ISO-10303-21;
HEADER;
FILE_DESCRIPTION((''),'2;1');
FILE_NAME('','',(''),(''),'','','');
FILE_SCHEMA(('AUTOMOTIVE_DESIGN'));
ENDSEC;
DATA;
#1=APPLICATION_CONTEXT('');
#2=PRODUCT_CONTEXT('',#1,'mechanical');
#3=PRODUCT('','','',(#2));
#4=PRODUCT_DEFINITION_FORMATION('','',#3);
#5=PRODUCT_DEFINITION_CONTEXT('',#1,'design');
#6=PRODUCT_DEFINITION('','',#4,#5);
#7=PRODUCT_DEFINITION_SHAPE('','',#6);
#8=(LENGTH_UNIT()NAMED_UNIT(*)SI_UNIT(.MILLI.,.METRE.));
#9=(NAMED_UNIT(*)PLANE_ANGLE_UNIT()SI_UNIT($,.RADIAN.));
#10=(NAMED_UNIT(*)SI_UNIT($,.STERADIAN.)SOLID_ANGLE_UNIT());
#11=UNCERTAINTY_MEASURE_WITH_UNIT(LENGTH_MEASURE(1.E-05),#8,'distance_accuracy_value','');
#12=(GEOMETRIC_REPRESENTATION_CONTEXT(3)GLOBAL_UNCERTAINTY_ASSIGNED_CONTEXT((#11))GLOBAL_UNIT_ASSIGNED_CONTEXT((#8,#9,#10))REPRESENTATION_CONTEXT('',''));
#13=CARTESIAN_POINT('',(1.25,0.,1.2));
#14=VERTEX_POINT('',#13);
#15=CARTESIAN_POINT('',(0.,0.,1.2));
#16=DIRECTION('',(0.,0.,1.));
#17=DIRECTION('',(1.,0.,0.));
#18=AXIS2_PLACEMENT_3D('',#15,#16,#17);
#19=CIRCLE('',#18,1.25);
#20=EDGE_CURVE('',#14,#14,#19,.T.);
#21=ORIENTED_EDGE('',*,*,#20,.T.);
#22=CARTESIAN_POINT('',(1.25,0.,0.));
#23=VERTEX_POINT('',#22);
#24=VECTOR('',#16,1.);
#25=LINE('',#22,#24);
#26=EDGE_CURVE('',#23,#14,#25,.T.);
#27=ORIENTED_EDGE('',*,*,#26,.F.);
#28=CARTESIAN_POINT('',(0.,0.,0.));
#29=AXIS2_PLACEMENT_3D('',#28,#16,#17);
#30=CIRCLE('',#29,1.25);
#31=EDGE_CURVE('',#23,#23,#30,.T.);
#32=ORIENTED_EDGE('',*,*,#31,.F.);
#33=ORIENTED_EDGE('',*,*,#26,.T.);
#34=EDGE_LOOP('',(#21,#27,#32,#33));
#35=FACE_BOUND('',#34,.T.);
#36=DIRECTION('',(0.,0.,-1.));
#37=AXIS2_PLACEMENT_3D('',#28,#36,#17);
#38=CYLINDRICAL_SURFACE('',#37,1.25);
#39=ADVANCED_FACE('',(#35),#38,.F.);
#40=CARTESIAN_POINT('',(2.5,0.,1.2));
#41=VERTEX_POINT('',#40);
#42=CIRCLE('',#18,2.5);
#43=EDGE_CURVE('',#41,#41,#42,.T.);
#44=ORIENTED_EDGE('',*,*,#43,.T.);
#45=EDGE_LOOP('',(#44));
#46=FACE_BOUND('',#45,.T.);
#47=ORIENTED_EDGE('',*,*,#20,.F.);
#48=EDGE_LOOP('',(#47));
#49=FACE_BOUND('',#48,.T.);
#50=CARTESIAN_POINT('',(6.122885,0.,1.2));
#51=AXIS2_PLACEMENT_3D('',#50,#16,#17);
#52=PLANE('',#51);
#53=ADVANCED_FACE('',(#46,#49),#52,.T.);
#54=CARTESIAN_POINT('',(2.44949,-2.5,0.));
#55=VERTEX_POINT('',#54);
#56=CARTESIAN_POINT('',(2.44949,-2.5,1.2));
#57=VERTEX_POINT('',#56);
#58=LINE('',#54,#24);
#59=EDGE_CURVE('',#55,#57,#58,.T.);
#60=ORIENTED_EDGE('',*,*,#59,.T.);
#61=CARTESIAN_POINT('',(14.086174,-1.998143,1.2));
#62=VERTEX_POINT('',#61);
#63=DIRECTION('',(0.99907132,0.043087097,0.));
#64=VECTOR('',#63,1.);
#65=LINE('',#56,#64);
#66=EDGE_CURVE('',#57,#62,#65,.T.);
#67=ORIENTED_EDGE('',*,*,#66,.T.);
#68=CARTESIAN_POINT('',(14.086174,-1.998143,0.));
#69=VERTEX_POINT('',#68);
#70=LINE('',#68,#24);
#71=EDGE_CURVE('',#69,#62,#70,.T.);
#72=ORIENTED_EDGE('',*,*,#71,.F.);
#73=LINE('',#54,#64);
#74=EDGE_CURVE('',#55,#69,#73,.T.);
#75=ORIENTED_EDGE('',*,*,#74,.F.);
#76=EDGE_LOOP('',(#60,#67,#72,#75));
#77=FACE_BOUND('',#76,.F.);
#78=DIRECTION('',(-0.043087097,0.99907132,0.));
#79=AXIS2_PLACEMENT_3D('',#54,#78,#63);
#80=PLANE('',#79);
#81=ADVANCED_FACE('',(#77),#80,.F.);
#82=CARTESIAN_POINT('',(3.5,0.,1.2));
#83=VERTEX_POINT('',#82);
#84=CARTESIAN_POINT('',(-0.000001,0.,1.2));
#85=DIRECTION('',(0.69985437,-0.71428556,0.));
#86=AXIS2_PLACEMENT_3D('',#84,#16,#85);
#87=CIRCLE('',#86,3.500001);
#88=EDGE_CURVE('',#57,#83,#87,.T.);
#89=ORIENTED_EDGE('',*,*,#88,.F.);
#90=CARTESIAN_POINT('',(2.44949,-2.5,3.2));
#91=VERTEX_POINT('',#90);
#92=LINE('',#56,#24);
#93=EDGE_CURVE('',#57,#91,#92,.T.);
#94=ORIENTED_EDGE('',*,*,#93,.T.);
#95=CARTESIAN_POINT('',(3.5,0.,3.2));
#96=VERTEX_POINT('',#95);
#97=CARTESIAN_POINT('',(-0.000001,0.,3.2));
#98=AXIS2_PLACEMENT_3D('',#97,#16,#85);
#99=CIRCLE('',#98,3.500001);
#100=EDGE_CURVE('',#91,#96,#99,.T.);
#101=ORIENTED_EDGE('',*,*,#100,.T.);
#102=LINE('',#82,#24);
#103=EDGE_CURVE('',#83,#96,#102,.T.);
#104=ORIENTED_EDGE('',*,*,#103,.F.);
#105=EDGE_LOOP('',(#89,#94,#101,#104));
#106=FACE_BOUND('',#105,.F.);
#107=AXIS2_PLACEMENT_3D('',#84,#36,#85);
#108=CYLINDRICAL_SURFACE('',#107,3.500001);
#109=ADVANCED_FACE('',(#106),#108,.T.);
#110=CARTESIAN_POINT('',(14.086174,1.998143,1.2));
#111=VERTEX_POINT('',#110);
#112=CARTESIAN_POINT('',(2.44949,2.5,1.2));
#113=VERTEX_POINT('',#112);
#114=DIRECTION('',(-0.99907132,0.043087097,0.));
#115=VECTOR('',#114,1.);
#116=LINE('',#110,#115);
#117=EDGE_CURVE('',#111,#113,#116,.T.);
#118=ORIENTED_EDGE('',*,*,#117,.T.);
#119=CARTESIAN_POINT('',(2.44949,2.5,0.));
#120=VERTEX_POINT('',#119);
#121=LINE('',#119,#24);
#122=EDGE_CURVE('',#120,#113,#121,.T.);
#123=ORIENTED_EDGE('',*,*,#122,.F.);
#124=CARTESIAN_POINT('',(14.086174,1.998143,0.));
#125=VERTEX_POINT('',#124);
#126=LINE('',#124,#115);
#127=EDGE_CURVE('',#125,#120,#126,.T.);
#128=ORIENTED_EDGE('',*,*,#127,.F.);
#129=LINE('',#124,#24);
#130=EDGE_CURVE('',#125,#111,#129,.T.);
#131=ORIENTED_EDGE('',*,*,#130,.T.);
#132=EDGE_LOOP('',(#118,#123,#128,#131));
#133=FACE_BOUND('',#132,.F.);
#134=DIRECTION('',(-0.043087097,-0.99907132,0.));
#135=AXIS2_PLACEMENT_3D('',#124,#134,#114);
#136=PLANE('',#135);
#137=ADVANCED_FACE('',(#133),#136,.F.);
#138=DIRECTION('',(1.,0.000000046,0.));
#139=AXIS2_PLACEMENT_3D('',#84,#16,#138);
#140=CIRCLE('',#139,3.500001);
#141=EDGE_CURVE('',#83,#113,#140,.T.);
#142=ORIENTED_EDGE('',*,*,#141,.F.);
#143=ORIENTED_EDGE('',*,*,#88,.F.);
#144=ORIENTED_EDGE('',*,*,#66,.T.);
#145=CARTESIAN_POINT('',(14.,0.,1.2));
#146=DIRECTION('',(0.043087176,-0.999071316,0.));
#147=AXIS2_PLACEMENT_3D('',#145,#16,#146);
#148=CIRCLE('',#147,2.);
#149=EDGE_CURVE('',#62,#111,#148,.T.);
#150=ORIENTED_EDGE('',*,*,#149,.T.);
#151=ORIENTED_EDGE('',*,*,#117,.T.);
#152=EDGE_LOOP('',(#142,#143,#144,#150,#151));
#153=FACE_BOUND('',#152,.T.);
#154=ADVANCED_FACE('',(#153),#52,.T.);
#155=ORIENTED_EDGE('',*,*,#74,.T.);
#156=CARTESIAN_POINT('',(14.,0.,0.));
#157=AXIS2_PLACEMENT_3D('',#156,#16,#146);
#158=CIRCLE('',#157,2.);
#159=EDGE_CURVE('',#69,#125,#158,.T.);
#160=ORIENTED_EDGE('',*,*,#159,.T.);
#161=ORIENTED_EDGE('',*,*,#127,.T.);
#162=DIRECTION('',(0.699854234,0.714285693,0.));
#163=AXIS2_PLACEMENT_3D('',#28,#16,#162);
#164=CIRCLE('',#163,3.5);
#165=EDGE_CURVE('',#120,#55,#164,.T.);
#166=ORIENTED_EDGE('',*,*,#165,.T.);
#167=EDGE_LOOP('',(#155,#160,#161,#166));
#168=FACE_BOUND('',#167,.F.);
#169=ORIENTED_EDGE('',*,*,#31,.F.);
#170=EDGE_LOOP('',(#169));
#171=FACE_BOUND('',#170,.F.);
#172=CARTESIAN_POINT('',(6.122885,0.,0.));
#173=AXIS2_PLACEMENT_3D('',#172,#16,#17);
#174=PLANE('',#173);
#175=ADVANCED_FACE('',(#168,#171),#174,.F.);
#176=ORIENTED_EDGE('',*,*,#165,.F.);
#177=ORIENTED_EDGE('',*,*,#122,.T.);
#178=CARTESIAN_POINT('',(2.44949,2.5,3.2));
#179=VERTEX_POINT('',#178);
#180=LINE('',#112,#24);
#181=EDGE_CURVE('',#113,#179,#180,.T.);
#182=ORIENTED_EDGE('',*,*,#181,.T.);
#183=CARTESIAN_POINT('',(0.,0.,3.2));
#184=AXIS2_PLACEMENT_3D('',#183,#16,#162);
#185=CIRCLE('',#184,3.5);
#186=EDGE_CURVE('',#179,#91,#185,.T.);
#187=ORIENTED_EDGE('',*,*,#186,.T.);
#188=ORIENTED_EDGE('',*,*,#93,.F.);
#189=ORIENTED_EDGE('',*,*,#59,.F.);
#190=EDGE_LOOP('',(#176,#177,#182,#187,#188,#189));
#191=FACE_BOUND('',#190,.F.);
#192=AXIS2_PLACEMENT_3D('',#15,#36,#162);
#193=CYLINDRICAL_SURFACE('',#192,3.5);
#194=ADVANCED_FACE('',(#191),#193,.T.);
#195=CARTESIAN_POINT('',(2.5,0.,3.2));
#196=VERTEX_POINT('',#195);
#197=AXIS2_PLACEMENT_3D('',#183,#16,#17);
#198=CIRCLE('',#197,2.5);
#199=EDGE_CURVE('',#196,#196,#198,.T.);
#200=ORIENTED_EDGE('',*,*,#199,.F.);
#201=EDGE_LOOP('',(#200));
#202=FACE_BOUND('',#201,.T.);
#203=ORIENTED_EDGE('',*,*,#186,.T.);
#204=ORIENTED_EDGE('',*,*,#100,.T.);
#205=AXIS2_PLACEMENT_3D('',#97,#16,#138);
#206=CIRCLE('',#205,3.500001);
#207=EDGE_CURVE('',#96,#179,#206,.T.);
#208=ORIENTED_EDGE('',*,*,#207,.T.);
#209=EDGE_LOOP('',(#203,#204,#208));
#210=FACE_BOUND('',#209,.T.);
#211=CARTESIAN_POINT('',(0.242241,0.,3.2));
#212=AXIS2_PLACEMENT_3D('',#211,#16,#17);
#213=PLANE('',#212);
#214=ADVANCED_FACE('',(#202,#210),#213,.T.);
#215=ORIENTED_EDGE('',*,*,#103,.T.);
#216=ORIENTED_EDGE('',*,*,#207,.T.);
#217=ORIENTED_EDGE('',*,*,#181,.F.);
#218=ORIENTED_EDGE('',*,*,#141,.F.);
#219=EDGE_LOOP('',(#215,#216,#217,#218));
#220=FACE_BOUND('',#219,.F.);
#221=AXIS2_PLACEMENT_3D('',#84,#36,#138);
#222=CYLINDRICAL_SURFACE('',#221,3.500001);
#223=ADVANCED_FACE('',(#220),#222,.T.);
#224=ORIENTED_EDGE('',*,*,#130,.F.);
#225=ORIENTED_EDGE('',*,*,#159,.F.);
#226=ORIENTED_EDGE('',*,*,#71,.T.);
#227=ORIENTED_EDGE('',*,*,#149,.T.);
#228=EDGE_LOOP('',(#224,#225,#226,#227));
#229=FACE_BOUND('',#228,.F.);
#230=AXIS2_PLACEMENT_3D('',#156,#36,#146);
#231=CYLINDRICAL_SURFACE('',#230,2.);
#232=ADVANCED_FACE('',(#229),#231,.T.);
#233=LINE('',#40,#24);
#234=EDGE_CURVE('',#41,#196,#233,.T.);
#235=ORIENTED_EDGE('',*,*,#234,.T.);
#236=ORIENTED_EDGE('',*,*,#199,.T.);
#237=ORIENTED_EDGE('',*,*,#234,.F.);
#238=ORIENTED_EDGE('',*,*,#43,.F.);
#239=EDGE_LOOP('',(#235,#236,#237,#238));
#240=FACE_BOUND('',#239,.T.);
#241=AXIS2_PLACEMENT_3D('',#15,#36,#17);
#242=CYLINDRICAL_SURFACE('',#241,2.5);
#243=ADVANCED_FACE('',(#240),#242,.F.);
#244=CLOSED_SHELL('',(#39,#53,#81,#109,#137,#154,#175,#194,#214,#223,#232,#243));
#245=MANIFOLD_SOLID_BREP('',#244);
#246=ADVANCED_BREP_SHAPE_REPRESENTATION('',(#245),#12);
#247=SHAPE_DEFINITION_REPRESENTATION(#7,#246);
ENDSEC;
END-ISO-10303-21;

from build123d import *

# Parameters (mm, degrees)
F0_R     = 1.25
F1_DEPTH = 1.2
F2_R     = 2.5
F3_DEPTH = 2


with BuildPart() as f1:
    # F0 (on Top) → F1 (new body)
    with BuildSketch(Plane.XY):
        with BuildLine():
            Line((14.086174, 1.998143), (2.44949, 2.5))
            ThreePointArc((2.44949, 2.5), (-3.5, 0), (2.44949, -2.5))
            Line((2.44949, -2.5), (14.086174, -1.998143))
            ThreePointArc((14.086174, -1.998143), (16, 0), (14.086174, 1.998143))
        make_face()
        Circle(F0_R, mode=Mode.SUBTRACT)
    extrude(amount=F1_DEPTH)

    # F2 (on face) → F3 (join)
    with BuildSketch(Plane.XY.offset(1.2)):
        with BuildLine():
            ThreePointArc((2.44949, -2.5), (3.226702, -1.355874), (3.5, 0))
            ThreePointArc((3.5, 0), (3.226702, 1.355874), (2.44949, 2.5))
            ThreePointArc((2.44949, 2.5), (-3.5, 0), (2.44949, -2.5))
        make_face()
        Circle(F2_R, mode=Mode.SUBTRACT)
    extrude(amount=F3_DEPTH)


solid = f1.part
